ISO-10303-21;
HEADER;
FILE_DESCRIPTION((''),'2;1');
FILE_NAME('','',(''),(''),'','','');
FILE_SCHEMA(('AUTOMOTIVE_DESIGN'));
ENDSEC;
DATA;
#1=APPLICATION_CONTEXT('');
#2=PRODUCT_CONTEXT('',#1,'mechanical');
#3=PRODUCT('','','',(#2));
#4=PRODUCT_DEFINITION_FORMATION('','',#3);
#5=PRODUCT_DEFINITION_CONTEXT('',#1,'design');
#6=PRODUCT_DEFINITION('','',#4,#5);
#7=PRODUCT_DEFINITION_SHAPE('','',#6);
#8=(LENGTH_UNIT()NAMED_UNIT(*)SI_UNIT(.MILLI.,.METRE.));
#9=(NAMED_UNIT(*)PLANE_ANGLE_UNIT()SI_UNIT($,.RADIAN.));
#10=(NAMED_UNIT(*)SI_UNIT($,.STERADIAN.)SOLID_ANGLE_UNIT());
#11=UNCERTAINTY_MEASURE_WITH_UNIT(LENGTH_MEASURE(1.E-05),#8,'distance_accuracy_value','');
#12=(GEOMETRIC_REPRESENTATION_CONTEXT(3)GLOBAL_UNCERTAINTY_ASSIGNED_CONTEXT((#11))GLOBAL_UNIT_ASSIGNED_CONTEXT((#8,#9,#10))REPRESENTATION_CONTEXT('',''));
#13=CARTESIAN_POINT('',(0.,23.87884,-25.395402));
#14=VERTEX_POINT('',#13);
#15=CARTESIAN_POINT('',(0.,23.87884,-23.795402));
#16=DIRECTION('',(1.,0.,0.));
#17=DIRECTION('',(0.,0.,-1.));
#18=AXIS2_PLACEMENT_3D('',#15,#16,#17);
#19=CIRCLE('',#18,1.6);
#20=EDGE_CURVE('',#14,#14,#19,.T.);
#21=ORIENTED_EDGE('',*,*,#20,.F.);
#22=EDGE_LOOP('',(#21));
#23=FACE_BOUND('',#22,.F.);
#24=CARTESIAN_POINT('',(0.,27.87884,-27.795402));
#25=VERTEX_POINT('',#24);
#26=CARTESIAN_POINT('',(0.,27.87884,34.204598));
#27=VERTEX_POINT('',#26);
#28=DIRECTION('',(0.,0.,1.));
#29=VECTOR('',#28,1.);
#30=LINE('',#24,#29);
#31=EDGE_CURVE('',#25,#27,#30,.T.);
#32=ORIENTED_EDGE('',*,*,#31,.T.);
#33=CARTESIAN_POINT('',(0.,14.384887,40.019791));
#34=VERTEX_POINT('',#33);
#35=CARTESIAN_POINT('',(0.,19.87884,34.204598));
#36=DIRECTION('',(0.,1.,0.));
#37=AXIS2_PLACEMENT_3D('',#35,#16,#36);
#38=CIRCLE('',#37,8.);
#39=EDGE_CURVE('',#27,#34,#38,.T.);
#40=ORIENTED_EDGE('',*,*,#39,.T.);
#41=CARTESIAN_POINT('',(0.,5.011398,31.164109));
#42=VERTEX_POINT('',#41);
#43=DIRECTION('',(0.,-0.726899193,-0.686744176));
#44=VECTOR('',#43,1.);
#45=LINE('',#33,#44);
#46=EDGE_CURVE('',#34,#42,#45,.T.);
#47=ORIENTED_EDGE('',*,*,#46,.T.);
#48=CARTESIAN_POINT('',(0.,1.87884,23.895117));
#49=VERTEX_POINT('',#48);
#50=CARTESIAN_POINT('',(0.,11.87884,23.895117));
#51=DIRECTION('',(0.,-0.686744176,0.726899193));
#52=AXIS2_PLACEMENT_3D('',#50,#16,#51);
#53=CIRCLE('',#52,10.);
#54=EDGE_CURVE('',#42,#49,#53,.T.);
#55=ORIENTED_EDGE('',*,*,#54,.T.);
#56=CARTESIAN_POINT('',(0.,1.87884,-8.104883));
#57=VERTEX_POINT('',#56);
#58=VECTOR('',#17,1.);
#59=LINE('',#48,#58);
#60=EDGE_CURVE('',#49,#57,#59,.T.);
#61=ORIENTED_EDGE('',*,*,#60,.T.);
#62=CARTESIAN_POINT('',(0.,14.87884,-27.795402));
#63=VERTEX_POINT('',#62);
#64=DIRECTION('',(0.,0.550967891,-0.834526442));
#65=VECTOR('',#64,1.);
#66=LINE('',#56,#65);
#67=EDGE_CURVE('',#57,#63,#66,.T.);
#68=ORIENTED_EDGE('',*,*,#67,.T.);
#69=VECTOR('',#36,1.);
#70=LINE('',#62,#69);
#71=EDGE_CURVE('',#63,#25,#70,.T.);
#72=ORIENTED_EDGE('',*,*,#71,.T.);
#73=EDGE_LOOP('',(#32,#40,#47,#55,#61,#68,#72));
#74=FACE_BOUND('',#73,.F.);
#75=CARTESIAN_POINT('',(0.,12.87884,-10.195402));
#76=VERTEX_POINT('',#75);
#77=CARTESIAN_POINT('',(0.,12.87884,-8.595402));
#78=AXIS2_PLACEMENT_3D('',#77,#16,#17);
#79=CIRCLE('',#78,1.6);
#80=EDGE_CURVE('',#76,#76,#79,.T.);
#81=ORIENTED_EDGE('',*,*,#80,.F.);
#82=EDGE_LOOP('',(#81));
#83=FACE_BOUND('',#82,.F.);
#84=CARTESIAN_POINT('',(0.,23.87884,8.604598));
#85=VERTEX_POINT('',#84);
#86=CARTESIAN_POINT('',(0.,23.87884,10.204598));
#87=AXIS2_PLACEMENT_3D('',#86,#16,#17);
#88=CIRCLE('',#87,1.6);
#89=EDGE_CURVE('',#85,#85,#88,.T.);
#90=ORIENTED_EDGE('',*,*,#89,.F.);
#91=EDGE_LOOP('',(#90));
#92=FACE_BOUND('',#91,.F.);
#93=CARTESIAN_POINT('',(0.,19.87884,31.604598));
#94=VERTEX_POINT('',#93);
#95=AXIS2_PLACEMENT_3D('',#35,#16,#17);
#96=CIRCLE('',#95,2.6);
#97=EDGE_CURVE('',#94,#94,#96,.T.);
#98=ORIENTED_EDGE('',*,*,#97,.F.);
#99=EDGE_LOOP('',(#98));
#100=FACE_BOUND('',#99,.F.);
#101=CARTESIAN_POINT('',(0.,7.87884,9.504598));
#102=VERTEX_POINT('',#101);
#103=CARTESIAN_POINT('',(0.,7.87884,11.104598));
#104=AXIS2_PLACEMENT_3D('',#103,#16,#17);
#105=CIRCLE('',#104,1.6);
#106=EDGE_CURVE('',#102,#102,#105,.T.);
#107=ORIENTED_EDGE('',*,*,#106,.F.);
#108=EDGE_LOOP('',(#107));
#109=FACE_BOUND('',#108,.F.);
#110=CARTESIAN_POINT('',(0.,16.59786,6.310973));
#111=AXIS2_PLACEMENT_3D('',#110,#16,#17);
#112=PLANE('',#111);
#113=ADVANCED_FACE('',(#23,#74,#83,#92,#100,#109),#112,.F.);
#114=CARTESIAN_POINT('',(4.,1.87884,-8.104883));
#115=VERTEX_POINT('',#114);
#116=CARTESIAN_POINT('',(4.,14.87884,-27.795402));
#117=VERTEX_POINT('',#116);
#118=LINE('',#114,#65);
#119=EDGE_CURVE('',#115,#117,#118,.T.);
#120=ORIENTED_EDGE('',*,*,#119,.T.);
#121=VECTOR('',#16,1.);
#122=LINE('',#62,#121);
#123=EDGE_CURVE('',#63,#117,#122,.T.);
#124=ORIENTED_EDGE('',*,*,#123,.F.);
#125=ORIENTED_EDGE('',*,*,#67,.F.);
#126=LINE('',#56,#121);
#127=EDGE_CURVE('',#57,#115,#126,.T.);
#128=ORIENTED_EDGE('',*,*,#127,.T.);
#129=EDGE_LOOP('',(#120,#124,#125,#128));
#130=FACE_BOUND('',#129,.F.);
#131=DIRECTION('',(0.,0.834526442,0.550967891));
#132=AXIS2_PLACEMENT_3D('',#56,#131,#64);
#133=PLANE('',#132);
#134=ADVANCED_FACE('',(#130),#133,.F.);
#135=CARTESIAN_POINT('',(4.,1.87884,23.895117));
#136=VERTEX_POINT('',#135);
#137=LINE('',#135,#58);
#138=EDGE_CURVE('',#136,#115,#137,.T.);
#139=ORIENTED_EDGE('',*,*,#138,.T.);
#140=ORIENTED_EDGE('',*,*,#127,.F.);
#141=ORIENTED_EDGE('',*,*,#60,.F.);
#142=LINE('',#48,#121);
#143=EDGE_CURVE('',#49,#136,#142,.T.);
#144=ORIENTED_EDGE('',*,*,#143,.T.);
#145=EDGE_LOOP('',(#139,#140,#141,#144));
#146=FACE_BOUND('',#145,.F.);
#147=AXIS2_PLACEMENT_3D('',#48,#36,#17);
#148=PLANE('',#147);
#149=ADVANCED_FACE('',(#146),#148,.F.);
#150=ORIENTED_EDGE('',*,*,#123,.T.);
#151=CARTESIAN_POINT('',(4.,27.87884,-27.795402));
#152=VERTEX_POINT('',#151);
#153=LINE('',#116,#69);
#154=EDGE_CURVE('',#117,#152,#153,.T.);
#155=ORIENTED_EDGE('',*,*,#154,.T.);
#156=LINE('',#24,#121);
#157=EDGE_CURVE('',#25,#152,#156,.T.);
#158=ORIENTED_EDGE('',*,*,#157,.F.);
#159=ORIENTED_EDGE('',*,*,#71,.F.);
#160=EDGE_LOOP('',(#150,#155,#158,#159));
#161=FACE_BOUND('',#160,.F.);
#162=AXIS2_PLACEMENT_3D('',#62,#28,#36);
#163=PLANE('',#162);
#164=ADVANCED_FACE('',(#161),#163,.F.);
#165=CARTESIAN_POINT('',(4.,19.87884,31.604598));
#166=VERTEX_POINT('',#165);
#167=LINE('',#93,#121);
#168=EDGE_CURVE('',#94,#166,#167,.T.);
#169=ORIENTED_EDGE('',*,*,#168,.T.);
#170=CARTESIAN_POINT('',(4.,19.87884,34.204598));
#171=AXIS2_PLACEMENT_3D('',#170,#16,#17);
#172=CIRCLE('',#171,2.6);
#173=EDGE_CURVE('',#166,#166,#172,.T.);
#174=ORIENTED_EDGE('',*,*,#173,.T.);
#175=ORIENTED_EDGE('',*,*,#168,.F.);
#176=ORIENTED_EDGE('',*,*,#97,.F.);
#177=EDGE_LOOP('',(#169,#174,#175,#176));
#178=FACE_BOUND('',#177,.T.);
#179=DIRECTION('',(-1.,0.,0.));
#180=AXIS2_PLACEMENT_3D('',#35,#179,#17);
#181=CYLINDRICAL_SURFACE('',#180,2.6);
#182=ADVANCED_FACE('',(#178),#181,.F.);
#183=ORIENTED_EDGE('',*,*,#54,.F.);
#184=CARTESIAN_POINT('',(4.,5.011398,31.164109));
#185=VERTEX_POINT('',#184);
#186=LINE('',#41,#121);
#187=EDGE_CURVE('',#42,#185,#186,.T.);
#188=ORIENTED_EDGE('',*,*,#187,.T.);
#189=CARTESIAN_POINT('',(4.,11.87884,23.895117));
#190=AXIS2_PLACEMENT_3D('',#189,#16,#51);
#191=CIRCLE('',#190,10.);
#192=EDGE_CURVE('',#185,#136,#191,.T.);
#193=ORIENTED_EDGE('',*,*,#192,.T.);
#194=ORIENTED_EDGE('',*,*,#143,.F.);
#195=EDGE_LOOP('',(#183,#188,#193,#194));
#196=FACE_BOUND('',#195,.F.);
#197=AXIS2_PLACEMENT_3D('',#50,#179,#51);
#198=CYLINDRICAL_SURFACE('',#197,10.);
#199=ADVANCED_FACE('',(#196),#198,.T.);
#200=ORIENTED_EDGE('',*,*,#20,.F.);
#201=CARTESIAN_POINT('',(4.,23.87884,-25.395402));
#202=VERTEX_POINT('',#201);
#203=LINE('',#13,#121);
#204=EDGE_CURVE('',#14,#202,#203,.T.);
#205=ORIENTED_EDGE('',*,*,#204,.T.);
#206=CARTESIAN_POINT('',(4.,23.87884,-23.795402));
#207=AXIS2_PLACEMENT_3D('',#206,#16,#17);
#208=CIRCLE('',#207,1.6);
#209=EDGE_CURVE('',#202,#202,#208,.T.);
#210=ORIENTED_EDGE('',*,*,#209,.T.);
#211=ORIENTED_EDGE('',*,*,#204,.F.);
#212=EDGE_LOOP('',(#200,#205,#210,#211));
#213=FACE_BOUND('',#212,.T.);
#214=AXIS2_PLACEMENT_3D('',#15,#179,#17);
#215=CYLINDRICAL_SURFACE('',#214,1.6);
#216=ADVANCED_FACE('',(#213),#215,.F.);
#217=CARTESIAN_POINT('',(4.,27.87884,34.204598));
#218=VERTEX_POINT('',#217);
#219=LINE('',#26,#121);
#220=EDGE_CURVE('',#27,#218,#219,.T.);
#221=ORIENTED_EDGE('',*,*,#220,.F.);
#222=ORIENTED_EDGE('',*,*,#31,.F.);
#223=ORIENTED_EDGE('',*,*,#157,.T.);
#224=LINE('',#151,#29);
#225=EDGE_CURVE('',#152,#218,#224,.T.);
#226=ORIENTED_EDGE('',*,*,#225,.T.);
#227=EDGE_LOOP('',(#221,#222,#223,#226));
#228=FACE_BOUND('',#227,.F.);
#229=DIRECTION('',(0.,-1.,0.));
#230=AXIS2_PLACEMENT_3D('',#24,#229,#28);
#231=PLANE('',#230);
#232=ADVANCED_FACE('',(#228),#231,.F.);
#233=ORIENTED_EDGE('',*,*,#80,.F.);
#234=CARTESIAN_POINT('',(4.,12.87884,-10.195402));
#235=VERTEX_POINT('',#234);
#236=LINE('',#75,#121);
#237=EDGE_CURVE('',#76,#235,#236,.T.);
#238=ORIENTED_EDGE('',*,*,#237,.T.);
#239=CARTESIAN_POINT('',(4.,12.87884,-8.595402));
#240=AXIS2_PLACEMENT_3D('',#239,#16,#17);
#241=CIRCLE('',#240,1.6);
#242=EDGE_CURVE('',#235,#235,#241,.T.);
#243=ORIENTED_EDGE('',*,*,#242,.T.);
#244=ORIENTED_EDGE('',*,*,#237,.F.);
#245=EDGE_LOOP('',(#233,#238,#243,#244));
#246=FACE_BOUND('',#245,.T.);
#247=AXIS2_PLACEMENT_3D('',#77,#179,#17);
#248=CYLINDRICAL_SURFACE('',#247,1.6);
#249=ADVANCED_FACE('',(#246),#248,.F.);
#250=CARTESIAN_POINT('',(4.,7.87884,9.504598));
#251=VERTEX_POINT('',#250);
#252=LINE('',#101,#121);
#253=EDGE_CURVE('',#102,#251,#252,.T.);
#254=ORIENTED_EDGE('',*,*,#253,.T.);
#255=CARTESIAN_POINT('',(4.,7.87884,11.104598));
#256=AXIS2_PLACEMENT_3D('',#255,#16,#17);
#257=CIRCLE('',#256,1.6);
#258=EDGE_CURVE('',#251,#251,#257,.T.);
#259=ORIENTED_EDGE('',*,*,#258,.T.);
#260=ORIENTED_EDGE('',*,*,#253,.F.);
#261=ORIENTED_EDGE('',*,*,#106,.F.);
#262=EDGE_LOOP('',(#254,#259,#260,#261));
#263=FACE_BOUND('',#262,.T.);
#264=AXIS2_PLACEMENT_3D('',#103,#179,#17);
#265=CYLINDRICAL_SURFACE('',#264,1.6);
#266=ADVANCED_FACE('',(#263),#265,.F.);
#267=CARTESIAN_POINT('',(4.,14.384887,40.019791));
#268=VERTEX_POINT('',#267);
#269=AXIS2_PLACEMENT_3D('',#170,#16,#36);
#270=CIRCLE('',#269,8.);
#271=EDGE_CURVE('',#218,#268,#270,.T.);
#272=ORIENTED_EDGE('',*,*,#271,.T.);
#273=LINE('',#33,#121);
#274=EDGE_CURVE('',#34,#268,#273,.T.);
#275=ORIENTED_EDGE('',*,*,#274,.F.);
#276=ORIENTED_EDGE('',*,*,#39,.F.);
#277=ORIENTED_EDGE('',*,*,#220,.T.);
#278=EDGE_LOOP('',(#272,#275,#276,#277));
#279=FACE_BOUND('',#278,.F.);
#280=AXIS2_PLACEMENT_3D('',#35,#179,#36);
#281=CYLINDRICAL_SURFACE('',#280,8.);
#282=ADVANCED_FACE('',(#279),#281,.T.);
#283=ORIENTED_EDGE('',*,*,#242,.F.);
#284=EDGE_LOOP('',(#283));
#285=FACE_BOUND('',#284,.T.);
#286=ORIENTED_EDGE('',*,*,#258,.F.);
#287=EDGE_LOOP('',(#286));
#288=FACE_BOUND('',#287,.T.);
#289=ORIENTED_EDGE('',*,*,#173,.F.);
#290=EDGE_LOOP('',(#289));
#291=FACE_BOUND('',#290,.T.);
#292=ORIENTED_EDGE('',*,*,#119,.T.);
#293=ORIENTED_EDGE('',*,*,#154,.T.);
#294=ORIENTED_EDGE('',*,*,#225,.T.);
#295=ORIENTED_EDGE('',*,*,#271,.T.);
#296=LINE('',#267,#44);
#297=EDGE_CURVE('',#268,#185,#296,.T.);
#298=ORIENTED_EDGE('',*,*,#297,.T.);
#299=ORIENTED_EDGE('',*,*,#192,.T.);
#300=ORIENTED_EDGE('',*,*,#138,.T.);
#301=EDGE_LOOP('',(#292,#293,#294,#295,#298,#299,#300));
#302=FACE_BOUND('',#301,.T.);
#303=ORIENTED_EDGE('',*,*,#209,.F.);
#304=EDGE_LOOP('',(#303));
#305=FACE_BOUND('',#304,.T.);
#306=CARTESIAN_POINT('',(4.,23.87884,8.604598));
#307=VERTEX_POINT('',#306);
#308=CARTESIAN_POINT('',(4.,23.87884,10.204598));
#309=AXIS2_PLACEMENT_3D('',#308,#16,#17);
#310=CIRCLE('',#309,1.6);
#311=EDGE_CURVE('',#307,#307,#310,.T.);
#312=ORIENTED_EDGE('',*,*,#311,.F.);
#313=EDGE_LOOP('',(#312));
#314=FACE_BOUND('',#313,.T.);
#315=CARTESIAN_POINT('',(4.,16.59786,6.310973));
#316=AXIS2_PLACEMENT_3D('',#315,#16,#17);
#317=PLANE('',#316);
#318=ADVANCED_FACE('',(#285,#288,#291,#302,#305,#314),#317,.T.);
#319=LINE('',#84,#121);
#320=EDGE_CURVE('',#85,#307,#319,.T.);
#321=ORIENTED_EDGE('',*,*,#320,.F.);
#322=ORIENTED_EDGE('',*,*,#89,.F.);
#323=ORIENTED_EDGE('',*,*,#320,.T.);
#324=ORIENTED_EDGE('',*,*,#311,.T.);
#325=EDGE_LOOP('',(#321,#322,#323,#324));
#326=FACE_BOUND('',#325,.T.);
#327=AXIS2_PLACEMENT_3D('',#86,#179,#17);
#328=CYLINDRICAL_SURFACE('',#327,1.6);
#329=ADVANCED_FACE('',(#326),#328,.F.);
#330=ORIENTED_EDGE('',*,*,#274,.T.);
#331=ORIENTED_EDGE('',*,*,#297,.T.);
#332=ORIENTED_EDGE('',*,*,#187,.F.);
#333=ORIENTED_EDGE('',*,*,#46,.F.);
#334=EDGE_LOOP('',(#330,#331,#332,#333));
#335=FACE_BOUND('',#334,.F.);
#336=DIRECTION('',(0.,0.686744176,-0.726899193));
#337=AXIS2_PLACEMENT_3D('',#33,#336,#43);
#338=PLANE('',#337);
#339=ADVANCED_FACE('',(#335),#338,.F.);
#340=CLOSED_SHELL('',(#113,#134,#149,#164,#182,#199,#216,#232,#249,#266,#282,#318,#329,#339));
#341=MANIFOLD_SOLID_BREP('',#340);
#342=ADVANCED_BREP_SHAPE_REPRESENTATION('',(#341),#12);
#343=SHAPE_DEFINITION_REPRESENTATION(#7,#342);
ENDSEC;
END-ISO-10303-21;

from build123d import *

# Parameters (mm, degrees)
SKETCH_1_R      = 1.6
SKETCH_1_R_2    = 2.6
EXTRUDE_1_DEPTH = 4


with BuildPart() as part:
    # 草图1 → 凸台-拉伸1 (new body)
    with BuildSketch(Plane(origin=(0, 0, 0), x_dir=(0, 0, -1), z_dir=(1, 0, 0))):
        with BuildLine():
            Line((8.104883027, 1.878840053), (27.795402052, 14.878840053))
            Line((27.795402052, 14.878840053), (27.795402052, 27.878840053))
            Line((27.795402052, 27.878840053), (-34.204597948, 27.878840053))
            ThreePointArc((-34.204597948, 27.878840053), (-41.551421317, 23.044939607), (-40.019791495, 14.384886649))
            Line((-40.019791495, 14.384886649), (-31.164108907, 5.011398298))
            ThreePointArc((-31.164108907, 5.011398298), (-27.852741415, 2.695310842), (-23.895116973, 1.878840053))
            Line((-23.895116973, 1.878840053), (8.104883027, 1.878840053))
        make_face()
        with Locations((23.795402052, 23.878840053)):
            Circle(SKETCH_1_R, mode=Mode.SUBTRACT)
        with Locations((-10.204597948, 23.878840053)):
            Circle(SKETCH_1_R, mode=Mode.SUBTRACT)
        with Locations((8.595402052, 12.878840053)):
            Circle(SKETCH_1_R, mode=Mode.SUBTRACT)
        with Locations((-11.104597948, 7.878840053)):
            Circle(SKETCH_1_R, mode=Mode.SUBTRACT)
        with Locations((-34.204597948, 19.878840053)):
            Circle(SKETCH_1_R_2, mode=Mode.SUBTRACT)
    extrude(amount=EXTRUDE_1_DEPTH)


solid = part.part
